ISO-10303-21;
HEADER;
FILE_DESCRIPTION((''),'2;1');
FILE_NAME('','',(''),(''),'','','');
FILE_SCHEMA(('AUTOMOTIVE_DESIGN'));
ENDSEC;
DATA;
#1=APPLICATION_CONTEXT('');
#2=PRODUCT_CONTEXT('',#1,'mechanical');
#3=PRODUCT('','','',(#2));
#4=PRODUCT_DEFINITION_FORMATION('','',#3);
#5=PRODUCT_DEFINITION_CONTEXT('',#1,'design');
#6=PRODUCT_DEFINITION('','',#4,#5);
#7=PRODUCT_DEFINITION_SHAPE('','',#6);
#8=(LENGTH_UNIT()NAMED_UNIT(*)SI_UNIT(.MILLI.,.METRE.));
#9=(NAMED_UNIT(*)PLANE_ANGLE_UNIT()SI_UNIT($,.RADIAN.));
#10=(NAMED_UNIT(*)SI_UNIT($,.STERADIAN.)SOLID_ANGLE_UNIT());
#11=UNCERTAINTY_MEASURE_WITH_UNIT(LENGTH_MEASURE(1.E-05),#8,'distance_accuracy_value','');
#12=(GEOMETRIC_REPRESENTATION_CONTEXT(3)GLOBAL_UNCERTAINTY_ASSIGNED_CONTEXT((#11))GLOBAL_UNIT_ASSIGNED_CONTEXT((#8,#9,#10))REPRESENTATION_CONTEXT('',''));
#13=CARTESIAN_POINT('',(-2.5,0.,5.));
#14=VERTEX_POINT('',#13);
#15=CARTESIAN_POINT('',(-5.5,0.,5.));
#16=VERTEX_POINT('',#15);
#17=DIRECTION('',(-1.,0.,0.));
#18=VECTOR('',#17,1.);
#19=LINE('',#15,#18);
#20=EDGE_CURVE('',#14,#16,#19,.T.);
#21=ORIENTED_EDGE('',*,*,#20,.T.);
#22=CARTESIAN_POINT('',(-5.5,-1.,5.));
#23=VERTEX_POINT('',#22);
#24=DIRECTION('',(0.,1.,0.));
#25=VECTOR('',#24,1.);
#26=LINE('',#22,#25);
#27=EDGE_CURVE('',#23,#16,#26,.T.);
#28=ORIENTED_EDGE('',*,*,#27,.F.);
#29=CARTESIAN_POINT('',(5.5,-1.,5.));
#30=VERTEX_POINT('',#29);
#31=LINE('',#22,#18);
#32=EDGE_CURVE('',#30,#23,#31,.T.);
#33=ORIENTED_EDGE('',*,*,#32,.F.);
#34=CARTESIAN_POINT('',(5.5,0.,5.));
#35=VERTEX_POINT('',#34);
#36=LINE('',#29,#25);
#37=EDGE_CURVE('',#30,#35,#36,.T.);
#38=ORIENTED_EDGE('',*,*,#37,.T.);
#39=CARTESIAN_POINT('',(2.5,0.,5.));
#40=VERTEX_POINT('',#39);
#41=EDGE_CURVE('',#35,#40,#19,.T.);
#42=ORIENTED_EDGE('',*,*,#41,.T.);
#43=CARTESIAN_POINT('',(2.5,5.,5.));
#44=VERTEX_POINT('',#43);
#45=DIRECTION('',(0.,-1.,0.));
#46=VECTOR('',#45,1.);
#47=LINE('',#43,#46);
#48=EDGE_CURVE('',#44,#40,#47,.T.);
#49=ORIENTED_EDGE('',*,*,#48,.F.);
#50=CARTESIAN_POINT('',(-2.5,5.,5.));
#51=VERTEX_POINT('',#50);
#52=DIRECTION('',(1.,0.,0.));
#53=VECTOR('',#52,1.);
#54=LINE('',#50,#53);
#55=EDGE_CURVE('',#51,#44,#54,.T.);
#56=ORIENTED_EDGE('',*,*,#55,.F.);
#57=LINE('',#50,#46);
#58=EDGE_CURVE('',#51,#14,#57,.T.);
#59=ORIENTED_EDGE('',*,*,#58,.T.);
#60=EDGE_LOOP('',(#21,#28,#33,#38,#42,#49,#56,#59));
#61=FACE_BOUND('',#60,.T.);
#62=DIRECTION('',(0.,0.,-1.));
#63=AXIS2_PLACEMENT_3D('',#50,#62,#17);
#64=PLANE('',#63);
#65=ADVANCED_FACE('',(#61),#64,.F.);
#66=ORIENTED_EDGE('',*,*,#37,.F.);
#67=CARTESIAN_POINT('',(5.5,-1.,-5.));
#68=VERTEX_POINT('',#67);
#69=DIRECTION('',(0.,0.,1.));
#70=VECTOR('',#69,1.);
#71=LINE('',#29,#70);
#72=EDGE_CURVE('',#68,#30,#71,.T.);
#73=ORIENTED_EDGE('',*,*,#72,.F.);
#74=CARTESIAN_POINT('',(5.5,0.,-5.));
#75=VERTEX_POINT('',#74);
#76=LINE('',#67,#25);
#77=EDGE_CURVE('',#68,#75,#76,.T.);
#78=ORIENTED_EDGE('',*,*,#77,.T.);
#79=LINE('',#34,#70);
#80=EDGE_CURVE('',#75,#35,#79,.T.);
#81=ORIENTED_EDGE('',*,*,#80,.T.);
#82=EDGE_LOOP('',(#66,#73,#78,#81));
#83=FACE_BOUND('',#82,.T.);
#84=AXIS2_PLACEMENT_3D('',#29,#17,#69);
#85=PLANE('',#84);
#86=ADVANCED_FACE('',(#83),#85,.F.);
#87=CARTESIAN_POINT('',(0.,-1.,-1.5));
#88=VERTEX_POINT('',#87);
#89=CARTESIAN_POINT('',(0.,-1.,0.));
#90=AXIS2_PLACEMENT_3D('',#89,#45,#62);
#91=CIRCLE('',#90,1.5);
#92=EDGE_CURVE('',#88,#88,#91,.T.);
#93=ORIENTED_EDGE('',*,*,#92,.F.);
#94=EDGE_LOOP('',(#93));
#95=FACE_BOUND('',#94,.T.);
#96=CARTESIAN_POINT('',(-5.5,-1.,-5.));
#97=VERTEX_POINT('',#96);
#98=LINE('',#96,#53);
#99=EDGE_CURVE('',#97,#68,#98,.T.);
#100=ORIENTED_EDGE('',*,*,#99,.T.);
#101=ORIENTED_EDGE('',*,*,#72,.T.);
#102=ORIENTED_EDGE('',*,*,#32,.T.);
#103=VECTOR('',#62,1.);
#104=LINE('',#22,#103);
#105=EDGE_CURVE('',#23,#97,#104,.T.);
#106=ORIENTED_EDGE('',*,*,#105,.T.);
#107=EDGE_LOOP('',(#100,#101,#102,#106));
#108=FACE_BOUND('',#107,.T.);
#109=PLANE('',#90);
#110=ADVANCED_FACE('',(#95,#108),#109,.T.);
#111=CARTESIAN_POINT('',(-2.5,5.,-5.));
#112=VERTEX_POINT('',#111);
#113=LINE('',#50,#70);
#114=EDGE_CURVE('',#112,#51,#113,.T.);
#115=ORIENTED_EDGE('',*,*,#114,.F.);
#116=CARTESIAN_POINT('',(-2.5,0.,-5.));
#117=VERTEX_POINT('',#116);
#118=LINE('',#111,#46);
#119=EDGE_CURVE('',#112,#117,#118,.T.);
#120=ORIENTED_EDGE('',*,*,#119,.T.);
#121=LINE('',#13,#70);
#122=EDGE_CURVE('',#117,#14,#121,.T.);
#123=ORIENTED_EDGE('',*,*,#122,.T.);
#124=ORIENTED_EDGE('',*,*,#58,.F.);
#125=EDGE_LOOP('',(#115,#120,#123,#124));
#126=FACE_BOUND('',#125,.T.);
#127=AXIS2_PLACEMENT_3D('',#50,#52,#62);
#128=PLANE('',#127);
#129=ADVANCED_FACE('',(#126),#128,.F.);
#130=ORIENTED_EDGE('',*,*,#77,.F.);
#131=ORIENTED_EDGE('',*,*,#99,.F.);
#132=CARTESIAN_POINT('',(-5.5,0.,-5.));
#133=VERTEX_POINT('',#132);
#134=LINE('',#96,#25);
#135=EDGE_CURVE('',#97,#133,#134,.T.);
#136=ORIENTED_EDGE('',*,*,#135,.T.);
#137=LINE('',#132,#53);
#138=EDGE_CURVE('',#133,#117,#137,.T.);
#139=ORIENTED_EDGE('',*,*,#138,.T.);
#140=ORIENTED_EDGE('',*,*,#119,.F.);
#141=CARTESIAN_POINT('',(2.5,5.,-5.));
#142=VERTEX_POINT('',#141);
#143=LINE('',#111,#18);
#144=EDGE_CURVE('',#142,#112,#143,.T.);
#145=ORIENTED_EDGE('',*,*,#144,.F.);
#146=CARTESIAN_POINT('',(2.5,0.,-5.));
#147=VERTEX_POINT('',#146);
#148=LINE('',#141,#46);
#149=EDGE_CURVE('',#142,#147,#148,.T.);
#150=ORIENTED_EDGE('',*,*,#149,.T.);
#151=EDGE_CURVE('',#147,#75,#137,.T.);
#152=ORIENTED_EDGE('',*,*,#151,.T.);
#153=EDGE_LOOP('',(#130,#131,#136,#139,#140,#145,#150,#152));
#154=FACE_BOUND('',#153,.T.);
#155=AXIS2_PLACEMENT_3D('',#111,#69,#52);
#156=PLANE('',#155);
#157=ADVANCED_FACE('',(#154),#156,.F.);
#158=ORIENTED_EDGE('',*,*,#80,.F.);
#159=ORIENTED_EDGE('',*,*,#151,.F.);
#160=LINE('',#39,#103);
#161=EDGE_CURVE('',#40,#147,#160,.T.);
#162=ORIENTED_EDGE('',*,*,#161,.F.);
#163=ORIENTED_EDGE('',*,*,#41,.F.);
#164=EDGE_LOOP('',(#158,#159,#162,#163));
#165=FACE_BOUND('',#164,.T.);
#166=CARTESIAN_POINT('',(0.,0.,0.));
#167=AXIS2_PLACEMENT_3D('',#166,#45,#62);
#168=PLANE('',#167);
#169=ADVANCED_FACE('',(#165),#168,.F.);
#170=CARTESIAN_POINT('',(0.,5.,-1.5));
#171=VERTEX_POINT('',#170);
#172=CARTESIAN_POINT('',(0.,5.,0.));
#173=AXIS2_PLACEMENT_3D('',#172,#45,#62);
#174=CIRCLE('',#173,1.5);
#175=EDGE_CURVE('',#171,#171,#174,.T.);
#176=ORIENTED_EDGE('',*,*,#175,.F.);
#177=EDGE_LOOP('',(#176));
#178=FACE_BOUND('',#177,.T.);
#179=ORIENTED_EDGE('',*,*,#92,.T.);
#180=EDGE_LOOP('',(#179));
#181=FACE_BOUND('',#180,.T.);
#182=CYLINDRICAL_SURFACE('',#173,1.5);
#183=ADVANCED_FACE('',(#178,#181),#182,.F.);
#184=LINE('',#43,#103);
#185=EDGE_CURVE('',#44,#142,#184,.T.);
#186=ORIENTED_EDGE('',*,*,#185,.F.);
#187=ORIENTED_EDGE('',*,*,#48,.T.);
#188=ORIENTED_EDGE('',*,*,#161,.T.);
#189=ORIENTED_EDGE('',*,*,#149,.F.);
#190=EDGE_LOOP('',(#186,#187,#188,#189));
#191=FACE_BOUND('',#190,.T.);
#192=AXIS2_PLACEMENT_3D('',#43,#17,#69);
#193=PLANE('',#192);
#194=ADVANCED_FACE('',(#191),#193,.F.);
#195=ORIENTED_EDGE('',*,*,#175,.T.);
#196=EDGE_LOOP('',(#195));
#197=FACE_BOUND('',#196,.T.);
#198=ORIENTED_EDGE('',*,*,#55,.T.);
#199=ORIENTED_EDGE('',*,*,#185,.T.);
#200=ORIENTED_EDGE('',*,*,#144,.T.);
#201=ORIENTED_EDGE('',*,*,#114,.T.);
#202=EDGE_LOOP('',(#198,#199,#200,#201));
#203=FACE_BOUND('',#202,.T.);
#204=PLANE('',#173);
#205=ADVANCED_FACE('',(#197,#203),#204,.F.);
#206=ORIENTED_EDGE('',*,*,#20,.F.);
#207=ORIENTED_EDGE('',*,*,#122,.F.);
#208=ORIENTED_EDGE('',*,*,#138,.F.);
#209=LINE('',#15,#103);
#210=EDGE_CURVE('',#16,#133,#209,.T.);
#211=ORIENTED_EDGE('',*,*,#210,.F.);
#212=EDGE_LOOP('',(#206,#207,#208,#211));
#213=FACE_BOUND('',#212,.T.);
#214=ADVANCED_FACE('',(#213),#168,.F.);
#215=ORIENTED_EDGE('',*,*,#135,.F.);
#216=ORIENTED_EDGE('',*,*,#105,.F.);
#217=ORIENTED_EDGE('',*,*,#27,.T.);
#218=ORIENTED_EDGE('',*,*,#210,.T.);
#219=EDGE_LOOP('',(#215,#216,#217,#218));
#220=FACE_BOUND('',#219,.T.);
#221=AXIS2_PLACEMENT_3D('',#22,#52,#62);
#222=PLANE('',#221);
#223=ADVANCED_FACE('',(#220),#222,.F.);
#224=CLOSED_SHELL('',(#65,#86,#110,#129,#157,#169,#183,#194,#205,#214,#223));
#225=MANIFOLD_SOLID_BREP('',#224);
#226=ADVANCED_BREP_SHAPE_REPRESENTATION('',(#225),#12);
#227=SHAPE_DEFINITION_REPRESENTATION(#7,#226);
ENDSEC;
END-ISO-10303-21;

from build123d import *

# Parameters (mm, degrees)
SKETCH1_W           = 5
SKETCH1_H           = 10
BOSS_EXTRUDE1_DEPTH = 5
SKETCH2_W           = 11
SKETCH2_H           = 10
BOSS_EXTRUDE2_DEPTH = 1
SKETCH3_R           = 1.5
CUT_EXTRUDE1_DEPTH  = 10.552486587


with BuildPart() as part:
    # Sketch1 → Boss-Extrude1 (new body)
    with BuildSketch(Plane(origin=(0, 0, 0), x_dir=(1, 0, 0), z_dir=(0, 1, 0))):
        Rectangle(SKETCH1_W, SKETCH1_H)
    extrude(amount=BOSS_EXTRUDE1_DEPTH)

    # Sketch2 → Boss-Extrude2 (add)
    with BuildSketch(Plane.XZ):
        Rectangle(SKETCH2_W, SKETCH2_H)
    extrude(amount=BOSS_EXTRUDE2_DEPTH)

    # Sketch3 → Cut-Extrude1 (cut, through all)
    with BuildSketch(Plane.XZ.offset(1)):
        with Locations(Location((0, 0, 0), (0, 0, 270))):
            Circle(SKETCH3_R)
    extrude(amount=-CUT_EXTRUDE1_DEPTH, mode=Mode.SUBTRACT)


solid = part.part
